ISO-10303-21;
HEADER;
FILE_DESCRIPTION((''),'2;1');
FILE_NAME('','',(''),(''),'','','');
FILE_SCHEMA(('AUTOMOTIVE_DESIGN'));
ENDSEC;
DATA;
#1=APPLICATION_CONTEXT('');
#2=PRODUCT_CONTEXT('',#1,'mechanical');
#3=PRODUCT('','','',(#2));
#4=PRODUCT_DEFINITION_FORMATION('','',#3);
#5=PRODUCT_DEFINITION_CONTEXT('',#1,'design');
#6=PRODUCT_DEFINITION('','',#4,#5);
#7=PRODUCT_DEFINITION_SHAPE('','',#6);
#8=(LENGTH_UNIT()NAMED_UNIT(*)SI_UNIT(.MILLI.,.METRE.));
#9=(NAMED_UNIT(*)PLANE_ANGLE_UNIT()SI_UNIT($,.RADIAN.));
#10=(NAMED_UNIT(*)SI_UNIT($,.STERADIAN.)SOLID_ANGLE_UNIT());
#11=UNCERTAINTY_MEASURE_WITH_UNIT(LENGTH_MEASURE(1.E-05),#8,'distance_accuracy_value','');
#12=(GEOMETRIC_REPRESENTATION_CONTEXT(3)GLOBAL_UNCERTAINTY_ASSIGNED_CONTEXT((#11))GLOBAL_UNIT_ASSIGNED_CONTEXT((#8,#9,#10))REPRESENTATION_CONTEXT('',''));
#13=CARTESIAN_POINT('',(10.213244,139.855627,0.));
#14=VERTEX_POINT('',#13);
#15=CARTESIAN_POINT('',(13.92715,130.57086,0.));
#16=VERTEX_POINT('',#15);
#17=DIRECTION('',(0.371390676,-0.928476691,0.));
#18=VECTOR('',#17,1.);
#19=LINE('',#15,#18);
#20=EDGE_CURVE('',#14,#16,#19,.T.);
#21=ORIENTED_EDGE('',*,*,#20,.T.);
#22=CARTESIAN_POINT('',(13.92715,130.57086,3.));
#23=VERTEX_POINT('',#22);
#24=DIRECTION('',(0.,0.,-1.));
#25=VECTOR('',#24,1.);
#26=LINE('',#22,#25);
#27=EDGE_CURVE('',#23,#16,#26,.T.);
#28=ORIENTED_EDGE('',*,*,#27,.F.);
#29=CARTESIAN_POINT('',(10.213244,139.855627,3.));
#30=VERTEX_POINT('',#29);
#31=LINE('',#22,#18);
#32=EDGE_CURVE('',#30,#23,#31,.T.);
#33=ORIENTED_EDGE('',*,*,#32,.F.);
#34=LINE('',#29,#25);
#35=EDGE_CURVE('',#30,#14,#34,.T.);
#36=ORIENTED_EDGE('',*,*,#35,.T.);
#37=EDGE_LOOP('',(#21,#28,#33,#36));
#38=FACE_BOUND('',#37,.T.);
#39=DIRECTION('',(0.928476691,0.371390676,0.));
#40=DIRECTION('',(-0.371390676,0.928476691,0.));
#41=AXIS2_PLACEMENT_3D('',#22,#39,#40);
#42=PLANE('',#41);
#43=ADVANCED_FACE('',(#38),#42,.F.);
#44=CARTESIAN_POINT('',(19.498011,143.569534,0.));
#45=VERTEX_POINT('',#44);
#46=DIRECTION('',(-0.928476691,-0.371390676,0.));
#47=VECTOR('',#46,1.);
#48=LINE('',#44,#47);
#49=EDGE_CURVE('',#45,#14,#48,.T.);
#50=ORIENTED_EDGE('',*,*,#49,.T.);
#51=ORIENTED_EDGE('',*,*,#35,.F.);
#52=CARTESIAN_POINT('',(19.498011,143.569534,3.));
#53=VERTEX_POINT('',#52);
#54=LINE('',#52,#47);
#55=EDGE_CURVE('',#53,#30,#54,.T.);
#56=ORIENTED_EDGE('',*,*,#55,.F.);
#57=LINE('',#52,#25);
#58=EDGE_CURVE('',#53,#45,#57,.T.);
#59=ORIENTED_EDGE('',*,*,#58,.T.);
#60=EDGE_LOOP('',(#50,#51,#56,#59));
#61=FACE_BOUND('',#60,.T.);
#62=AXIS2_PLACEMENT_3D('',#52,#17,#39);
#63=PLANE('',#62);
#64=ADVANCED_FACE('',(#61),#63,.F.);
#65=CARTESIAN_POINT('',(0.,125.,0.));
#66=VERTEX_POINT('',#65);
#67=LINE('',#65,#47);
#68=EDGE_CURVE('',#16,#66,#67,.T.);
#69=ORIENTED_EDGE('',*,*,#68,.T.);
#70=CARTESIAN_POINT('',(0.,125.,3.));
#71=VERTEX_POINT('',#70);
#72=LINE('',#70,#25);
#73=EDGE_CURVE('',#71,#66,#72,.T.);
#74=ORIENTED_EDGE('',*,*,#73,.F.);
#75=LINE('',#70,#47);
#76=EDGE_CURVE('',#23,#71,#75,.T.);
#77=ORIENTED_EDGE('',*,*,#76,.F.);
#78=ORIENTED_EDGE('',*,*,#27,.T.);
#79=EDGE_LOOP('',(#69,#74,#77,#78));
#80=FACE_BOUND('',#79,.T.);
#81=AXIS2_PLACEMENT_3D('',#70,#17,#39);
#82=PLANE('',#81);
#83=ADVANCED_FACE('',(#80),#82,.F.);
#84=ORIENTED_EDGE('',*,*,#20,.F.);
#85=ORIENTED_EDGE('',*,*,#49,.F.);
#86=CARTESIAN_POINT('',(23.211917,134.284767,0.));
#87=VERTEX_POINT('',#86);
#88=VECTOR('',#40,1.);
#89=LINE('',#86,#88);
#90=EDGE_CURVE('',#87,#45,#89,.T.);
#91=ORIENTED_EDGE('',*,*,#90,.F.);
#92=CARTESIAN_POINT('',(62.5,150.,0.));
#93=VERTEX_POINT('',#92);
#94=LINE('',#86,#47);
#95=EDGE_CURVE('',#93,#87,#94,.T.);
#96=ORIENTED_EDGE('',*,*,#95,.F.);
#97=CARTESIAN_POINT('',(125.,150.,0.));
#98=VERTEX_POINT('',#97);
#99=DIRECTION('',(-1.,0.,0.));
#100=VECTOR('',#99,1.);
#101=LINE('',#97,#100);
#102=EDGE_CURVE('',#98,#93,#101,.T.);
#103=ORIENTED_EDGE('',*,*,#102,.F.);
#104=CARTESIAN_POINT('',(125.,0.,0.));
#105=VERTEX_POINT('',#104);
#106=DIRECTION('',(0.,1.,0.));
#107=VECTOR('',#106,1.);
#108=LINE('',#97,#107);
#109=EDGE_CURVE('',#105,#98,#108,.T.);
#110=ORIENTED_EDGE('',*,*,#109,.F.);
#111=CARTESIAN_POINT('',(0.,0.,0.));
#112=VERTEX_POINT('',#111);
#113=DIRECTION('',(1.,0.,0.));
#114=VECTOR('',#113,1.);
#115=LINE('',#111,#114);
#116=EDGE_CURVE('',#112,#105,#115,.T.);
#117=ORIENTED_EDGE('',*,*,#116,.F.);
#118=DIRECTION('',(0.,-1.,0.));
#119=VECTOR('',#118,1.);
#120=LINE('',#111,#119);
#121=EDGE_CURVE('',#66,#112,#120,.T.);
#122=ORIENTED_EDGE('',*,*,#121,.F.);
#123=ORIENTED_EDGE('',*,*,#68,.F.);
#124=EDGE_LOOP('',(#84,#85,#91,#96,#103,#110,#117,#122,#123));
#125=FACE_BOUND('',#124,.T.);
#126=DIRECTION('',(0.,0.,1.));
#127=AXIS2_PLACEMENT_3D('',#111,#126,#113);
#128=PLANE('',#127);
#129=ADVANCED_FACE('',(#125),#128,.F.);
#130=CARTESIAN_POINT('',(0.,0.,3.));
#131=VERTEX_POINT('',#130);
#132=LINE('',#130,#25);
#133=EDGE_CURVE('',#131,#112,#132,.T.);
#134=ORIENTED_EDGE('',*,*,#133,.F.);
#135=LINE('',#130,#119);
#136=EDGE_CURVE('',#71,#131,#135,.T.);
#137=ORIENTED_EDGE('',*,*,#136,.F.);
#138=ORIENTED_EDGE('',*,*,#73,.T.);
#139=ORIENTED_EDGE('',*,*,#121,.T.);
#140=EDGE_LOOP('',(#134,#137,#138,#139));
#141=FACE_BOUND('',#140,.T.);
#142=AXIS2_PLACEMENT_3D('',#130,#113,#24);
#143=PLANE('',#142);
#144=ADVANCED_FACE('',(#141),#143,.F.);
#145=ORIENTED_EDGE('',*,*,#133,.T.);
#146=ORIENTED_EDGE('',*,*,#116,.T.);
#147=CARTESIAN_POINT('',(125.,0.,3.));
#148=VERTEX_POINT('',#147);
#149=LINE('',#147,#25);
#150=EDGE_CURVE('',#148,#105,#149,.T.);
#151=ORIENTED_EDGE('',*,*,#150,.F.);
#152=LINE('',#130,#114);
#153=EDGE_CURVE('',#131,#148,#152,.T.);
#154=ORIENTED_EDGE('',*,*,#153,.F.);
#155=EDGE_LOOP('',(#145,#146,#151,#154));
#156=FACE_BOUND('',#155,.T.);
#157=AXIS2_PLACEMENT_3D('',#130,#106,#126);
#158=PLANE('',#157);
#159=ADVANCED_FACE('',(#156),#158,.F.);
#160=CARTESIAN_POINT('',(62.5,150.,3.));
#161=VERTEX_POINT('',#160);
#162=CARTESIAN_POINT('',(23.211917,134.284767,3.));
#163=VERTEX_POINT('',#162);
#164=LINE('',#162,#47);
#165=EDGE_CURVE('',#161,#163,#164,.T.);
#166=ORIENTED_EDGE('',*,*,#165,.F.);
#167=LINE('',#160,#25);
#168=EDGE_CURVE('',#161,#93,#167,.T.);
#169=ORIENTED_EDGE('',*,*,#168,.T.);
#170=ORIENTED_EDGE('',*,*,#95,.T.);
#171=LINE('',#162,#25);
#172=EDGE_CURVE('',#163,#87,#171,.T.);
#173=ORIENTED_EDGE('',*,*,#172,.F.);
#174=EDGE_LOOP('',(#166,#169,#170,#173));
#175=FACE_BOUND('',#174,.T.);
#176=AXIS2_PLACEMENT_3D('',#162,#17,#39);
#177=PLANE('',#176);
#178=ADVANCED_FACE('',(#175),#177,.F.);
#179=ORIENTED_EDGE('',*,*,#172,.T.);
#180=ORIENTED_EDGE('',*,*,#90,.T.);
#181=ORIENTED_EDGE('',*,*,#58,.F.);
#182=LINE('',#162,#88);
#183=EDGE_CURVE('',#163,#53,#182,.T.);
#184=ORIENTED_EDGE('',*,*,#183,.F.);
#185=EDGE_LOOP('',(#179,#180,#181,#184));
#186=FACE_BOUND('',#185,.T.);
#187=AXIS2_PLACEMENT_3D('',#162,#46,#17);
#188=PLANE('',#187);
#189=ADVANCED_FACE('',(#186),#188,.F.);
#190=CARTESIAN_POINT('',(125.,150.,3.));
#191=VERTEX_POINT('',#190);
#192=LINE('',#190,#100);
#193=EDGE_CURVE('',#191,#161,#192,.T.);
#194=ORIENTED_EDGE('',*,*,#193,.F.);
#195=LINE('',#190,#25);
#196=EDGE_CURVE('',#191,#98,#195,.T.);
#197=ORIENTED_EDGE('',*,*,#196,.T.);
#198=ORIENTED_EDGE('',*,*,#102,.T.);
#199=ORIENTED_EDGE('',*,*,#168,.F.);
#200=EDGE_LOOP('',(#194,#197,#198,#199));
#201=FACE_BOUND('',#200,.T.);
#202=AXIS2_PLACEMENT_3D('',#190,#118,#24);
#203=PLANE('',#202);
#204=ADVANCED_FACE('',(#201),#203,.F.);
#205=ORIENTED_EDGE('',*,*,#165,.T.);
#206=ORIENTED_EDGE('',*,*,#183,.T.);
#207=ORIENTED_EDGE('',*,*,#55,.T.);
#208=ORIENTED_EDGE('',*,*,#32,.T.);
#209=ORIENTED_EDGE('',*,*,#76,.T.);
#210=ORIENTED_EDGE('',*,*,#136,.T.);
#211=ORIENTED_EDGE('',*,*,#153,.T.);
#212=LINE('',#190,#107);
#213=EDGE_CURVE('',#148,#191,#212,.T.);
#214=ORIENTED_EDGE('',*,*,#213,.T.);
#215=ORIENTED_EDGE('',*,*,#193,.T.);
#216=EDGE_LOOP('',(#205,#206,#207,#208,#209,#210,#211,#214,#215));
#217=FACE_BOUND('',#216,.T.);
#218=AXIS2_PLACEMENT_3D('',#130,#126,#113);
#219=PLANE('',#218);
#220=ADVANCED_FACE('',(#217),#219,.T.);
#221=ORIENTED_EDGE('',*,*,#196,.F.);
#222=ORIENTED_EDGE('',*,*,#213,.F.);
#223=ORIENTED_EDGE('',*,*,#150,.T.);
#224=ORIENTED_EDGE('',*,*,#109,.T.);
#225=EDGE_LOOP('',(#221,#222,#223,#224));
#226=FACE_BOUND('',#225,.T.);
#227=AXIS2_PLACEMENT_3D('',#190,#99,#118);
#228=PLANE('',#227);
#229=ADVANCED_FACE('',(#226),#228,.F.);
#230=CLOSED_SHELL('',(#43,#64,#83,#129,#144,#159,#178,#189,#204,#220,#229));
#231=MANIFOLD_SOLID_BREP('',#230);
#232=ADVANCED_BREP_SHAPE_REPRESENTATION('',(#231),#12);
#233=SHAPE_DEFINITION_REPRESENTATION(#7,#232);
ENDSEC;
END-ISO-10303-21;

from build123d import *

# Parameters (mm, degrees)
BOSS_EXTRU_1_DEPTH = 3


with BuildPart() as part:
    # Esquisse1 → Boss.-Extru.1 (new body)
    with BuildSketch(Plane.XY):
        Polygon((0, 0), (125, 0), (125, 150), (62.5, 150), (23.211917272, 134.284766909), (19.498010509, 143.569533818), (10.2132436, 139.855627054), (13.927150363, 130.570860145), (0, 125), align=None)
    extrude(amount=BOSS_EXTRU_1_DEPTH)


solid = part.part
